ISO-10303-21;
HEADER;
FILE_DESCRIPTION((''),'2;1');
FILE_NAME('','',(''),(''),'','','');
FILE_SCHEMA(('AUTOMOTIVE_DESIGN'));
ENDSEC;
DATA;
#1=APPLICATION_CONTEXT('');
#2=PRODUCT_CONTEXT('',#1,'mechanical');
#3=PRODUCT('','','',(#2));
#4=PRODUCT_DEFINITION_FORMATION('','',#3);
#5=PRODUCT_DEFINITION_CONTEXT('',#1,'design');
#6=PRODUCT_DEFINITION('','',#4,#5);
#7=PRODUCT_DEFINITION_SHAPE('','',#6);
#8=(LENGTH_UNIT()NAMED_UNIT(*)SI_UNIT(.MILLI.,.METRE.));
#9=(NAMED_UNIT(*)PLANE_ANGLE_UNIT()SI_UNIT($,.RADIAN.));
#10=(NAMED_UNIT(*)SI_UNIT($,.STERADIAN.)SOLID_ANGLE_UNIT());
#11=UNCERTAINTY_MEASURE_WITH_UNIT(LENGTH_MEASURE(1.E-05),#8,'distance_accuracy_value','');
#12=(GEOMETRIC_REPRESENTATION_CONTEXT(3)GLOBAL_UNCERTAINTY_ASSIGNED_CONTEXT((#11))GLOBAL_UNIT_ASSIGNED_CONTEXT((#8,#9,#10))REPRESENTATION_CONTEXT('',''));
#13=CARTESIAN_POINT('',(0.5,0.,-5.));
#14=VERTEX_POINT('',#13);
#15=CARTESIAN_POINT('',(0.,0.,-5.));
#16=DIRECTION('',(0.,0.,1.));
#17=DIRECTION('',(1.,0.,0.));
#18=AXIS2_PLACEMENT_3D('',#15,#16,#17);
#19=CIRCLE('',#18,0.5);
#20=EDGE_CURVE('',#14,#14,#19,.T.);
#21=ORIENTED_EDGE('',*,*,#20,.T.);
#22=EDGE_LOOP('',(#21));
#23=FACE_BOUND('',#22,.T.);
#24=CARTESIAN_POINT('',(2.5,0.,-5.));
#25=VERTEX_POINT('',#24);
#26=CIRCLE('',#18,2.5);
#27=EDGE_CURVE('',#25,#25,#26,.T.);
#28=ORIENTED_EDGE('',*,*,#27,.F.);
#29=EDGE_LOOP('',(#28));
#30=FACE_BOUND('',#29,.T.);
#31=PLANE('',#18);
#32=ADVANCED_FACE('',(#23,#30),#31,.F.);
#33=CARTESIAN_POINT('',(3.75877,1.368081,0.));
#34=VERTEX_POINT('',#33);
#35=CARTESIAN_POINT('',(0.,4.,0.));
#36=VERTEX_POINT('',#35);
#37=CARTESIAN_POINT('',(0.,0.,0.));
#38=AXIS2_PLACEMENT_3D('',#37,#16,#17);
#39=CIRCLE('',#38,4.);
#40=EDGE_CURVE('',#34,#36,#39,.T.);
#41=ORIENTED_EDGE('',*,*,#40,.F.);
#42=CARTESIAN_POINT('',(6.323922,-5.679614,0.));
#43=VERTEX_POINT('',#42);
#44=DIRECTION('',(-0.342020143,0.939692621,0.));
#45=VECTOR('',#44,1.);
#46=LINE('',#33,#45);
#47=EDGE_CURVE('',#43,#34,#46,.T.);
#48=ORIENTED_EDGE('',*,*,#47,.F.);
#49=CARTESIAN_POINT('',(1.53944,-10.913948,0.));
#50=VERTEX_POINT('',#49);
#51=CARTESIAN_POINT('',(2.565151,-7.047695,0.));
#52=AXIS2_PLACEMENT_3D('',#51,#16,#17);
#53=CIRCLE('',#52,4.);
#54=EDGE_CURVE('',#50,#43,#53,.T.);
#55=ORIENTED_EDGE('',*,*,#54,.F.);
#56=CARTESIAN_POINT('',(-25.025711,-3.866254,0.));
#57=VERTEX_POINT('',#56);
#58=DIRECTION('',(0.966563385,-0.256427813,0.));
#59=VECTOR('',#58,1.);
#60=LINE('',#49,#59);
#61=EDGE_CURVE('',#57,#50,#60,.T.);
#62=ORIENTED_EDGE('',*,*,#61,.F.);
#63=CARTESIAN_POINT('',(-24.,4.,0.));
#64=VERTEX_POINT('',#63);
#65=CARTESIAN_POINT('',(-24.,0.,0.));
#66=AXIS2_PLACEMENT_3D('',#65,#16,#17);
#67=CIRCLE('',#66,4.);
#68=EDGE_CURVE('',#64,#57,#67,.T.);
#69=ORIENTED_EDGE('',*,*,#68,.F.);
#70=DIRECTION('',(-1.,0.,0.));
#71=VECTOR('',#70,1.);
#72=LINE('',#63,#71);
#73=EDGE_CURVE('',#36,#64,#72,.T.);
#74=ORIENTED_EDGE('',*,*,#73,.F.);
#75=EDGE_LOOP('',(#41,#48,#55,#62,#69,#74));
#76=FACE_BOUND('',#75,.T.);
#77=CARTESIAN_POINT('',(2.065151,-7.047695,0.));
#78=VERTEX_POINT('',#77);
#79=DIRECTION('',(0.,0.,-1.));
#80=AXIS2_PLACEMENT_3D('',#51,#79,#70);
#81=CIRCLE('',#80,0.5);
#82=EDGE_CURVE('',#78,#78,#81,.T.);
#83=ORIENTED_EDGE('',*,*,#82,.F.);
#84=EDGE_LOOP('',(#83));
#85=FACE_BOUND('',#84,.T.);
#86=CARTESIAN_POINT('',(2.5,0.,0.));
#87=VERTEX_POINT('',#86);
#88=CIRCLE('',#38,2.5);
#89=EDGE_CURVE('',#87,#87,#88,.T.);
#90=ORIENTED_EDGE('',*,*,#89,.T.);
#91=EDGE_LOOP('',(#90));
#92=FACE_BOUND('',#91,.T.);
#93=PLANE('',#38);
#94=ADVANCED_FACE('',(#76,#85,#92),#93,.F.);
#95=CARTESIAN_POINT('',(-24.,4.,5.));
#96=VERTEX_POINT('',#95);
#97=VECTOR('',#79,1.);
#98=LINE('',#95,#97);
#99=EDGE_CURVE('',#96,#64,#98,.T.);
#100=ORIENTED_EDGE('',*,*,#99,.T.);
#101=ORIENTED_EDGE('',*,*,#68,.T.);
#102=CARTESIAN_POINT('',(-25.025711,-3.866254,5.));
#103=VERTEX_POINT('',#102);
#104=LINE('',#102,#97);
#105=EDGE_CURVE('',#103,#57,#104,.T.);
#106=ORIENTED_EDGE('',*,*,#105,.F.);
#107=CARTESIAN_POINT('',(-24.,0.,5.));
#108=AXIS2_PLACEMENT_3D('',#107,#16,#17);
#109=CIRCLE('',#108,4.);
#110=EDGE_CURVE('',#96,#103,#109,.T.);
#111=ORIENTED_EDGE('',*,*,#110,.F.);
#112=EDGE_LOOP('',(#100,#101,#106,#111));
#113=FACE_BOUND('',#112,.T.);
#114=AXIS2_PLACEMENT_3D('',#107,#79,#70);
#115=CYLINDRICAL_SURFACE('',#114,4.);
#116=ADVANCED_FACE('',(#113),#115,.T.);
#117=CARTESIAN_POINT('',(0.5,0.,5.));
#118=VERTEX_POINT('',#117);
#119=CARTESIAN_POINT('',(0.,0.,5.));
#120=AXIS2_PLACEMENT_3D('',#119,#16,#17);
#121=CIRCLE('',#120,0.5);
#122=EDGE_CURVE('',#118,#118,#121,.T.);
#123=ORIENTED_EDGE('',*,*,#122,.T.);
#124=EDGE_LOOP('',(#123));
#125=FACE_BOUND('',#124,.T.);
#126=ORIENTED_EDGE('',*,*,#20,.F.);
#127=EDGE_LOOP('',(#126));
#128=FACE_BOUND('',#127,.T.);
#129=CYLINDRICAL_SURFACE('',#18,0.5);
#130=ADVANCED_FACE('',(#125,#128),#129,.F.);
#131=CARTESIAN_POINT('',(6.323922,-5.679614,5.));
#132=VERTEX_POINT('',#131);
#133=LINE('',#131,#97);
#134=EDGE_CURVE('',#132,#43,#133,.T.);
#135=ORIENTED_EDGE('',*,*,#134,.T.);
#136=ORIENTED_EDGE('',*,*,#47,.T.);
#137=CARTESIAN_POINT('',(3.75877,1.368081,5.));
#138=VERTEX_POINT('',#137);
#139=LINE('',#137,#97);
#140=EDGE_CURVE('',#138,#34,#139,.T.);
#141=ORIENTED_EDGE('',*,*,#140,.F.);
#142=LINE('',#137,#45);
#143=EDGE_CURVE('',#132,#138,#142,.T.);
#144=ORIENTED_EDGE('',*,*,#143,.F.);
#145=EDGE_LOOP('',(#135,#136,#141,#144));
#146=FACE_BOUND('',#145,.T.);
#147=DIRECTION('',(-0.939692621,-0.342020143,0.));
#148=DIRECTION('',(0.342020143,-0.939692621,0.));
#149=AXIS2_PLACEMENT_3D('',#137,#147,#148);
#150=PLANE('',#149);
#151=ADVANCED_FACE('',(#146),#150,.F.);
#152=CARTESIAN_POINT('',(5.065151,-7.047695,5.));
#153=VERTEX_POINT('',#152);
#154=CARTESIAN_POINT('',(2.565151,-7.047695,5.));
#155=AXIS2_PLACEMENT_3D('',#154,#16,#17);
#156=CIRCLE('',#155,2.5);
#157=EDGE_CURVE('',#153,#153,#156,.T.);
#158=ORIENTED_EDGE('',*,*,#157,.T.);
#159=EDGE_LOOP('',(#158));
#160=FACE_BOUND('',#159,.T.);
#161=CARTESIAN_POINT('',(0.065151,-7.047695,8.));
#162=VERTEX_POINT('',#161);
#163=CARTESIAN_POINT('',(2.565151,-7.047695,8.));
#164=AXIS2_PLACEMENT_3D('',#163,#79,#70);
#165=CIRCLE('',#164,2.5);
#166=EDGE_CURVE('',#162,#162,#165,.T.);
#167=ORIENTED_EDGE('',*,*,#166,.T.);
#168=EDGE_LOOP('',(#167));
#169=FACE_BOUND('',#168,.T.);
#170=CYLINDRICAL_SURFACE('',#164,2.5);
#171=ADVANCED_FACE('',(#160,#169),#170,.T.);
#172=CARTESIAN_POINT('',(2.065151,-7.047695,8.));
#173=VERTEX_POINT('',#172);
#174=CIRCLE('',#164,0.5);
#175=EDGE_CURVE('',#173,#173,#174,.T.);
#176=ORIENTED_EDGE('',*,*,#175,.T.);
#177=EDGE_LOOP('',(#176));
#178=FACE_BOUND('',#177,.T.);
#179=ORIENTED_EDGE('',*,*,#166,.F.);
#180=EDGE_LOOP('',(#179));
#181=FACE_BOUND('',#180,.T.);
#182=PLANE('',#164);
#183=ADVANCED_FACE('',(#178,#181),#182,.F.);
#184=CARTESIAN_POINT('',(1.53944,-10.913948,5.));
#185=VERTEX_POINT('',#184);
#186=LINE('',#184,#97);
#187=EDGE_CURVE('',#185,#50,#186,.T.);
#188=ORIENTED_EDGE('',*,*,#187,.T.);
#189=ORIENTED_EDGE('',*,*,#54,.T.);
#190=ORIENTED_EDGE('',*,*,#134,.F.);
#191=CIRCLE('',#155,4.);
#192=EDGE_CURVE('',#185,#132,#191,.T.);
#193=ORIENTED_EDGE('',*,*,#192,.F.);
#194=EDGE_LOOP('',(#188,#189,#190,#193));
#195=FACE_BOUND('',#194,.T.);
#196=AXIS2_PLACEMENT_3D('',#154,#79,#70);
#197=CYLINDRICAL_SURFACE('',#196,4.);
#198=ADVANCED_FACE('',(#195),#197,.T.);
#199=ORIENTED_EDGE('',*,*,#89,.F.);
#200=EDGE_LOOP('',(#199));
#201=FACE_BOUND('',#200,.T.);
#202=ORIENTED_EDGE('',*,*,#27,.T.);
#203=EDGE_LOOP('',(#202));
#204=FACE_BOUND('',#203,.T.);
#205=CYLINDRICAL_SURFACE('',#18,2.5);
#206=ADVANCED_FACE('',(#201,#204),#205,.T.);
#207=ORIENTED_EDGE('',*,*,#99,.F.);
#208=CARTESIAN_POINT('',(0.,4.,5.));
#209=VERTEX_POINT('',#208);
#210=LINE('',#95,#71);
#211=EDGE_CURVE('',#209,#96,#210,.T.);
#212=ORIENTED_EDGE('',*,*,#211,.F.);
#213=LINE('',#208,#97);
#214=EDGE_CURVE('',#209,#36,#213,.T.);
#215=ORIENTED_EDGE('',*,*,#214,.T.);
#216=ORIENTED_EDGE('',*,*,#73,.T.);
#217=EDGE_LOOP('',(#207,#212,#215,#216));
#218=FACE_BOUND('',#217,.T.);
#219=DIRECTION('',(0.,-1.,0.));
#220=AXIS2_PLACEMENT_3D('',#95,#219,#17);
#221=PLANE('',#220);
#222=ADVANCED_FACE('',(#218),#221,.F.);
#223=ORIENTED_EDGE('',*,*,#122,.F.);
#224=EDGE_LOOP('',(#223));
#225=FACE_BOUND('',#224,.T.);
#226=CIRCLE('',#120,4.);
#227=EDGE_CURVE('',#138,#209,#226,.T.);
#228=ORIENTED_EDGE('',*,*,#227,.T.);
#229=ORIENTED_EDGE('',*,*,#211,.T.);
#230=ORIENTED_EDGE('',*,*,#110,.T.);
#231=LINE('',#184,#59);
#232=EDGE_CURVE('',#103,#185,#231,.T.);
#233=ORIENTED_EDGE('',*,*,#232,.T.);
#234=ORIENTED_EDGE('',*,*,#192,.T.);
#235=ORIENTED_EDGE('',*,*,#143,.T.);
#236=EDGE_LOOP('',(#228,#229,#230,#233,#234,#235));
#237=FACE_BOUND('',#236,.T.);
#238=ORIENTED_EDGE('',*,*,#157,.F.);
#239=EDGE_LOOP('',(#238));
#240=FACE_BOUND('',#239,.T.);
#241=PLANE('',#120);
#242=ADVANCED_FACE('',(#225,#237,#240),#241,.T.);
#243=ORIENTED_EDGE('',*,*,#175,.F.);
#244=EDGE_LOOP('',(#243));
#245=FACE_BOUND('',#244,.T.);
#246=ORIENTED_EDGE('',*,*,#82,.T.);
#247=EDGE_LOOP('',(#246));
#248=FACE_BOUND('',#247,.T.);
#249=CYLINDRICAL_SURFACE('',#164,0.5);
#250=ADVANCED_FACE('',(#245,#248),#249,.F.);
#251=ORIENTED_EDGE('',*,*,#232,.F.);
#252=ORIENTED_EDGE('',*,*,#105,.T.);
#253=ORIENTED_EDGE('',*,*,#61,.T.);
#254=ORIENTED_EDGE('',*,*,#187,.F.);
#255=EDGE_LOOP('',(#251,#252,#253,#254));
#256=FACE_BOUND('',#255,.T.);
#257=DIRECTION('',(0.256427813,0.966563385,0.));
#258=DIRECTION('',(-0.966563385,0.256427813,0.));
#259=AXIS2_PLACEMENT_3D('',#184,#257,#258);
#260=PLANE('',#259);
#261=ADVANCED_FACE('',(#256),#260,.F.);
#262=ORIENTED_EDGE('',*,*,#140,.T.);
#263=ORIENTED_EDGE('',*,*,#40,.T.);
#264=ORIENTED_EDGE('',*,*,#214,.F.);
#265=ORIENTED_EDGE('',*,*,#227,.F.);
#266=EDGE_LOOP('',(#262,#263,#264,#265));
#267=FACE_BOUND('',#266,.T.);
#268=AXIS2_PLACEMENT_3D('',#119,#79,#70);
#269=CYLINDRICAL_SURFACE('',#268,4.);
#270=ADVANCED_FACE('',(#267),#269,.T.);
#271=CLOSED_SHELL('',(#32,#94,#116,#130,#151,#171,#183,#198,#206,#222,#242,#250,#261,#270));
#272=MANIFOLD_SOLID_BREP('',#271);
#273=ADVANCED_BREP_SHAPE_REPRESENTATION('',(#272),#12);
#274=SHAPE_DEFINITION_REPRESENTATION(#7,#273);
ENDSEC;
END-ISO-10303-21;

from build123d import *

# Parameters (mm, degrees)
SKETCH2_R           = 2.5
BOSS_EXTRUDE1_DEPTH = 5
BOSS_EXTRUDE2_START = -10
SKETCH3_R           = 2.5
SKETCH3_R_2         = 0.5
BOSS_EXTRUDE2_DEPTH = 10
SKETCH4_R           = 2.5
SKETCH4_R_2         = 0.5
BOSS_EXTRUDE3_DEPTH = 8
SKETCH5_R           = 2.5
BOSS_EXTRUDE4_DEPTH = 5


with BuildPart() as part:
    # Sketch2 → Boss-Extrude1 (new body)
    with BuildSketch(Plane.XY):
        with BuildLine():
            Line((-24, 4), (0, 4))
            ThreePointArc((0, 4), (2.294305745, 3.276608177), (3.758770483, 1.368080573))
            Line((3.758770483, 1.368080573), (6.323921558, -5.679614083))
            ThreePointArc((6.323921558, -5.679614083), (5.517602021, -9.746404239), (1.539439822, -10.913948195))
            Line((1.539439822, -10.913948195), (-25.025711253, -3.866253539))
            ThreePointArc((-25.025711253, -3.866253539), (-27.966422453, 0.51719718), (-24, 4))
        make_face()
        with Locations((-24, 0)):
            Circle(SKETCH2_R, mode=Mode.SUBTRACT)
        Circle(SKETCH2_R, mode=Mode.SUBTRACT)
        with Locations((2.565151075, -7.047694656)):
            Circle(SKETCH2_R, mode=Mode.SUBTRACT)
    extrude(amount=BOSS_EXTRUDE1_DEPTH)

    # Sketch3 → Boss-Extrude2 (add)
    with BuildSketch(Plane.XY.offset(5).offset(BOSS_EXTRUDE2_START)):
        Circle(SKETCH3_R)
        Circle(SKETCH3_R_2, mode=Mode.SUBTRACT)
    extrude(amount=BOSS_EXTRUDE2_DEPTH)

    # Sketch4 → Boss-Extrude3 (add)
    with BuildSketch(Plane(origin=(0, 0, 0), x_dir=(-1, 0, 0), z_dir=(0, 0, -1))):
        with Locations((-2.565151075, -7.047694656)):
            Circle(SKETCH4_R)
        with Locations((-2.565151075, -7.047694656)):
            Circle(SKETCH4_R_2, mode=Mode.SUBTRACT)
    extrude(amount=-BOSS_EXTRUDE3_DEPTH)

    # Sketch5 → Boss-Extrude4 (add)
    with BuildSketch(Plane(origin=(0, 0, 0), x_dir=(-1, 0, 0), z_dir=(0, 0, -1))):
        with Locations((24, 0)):
            Circle(SKETCH5_R)
    extrude(amount=-BOSS_EXTRUDE4_DEPTH)


solid = part.part
